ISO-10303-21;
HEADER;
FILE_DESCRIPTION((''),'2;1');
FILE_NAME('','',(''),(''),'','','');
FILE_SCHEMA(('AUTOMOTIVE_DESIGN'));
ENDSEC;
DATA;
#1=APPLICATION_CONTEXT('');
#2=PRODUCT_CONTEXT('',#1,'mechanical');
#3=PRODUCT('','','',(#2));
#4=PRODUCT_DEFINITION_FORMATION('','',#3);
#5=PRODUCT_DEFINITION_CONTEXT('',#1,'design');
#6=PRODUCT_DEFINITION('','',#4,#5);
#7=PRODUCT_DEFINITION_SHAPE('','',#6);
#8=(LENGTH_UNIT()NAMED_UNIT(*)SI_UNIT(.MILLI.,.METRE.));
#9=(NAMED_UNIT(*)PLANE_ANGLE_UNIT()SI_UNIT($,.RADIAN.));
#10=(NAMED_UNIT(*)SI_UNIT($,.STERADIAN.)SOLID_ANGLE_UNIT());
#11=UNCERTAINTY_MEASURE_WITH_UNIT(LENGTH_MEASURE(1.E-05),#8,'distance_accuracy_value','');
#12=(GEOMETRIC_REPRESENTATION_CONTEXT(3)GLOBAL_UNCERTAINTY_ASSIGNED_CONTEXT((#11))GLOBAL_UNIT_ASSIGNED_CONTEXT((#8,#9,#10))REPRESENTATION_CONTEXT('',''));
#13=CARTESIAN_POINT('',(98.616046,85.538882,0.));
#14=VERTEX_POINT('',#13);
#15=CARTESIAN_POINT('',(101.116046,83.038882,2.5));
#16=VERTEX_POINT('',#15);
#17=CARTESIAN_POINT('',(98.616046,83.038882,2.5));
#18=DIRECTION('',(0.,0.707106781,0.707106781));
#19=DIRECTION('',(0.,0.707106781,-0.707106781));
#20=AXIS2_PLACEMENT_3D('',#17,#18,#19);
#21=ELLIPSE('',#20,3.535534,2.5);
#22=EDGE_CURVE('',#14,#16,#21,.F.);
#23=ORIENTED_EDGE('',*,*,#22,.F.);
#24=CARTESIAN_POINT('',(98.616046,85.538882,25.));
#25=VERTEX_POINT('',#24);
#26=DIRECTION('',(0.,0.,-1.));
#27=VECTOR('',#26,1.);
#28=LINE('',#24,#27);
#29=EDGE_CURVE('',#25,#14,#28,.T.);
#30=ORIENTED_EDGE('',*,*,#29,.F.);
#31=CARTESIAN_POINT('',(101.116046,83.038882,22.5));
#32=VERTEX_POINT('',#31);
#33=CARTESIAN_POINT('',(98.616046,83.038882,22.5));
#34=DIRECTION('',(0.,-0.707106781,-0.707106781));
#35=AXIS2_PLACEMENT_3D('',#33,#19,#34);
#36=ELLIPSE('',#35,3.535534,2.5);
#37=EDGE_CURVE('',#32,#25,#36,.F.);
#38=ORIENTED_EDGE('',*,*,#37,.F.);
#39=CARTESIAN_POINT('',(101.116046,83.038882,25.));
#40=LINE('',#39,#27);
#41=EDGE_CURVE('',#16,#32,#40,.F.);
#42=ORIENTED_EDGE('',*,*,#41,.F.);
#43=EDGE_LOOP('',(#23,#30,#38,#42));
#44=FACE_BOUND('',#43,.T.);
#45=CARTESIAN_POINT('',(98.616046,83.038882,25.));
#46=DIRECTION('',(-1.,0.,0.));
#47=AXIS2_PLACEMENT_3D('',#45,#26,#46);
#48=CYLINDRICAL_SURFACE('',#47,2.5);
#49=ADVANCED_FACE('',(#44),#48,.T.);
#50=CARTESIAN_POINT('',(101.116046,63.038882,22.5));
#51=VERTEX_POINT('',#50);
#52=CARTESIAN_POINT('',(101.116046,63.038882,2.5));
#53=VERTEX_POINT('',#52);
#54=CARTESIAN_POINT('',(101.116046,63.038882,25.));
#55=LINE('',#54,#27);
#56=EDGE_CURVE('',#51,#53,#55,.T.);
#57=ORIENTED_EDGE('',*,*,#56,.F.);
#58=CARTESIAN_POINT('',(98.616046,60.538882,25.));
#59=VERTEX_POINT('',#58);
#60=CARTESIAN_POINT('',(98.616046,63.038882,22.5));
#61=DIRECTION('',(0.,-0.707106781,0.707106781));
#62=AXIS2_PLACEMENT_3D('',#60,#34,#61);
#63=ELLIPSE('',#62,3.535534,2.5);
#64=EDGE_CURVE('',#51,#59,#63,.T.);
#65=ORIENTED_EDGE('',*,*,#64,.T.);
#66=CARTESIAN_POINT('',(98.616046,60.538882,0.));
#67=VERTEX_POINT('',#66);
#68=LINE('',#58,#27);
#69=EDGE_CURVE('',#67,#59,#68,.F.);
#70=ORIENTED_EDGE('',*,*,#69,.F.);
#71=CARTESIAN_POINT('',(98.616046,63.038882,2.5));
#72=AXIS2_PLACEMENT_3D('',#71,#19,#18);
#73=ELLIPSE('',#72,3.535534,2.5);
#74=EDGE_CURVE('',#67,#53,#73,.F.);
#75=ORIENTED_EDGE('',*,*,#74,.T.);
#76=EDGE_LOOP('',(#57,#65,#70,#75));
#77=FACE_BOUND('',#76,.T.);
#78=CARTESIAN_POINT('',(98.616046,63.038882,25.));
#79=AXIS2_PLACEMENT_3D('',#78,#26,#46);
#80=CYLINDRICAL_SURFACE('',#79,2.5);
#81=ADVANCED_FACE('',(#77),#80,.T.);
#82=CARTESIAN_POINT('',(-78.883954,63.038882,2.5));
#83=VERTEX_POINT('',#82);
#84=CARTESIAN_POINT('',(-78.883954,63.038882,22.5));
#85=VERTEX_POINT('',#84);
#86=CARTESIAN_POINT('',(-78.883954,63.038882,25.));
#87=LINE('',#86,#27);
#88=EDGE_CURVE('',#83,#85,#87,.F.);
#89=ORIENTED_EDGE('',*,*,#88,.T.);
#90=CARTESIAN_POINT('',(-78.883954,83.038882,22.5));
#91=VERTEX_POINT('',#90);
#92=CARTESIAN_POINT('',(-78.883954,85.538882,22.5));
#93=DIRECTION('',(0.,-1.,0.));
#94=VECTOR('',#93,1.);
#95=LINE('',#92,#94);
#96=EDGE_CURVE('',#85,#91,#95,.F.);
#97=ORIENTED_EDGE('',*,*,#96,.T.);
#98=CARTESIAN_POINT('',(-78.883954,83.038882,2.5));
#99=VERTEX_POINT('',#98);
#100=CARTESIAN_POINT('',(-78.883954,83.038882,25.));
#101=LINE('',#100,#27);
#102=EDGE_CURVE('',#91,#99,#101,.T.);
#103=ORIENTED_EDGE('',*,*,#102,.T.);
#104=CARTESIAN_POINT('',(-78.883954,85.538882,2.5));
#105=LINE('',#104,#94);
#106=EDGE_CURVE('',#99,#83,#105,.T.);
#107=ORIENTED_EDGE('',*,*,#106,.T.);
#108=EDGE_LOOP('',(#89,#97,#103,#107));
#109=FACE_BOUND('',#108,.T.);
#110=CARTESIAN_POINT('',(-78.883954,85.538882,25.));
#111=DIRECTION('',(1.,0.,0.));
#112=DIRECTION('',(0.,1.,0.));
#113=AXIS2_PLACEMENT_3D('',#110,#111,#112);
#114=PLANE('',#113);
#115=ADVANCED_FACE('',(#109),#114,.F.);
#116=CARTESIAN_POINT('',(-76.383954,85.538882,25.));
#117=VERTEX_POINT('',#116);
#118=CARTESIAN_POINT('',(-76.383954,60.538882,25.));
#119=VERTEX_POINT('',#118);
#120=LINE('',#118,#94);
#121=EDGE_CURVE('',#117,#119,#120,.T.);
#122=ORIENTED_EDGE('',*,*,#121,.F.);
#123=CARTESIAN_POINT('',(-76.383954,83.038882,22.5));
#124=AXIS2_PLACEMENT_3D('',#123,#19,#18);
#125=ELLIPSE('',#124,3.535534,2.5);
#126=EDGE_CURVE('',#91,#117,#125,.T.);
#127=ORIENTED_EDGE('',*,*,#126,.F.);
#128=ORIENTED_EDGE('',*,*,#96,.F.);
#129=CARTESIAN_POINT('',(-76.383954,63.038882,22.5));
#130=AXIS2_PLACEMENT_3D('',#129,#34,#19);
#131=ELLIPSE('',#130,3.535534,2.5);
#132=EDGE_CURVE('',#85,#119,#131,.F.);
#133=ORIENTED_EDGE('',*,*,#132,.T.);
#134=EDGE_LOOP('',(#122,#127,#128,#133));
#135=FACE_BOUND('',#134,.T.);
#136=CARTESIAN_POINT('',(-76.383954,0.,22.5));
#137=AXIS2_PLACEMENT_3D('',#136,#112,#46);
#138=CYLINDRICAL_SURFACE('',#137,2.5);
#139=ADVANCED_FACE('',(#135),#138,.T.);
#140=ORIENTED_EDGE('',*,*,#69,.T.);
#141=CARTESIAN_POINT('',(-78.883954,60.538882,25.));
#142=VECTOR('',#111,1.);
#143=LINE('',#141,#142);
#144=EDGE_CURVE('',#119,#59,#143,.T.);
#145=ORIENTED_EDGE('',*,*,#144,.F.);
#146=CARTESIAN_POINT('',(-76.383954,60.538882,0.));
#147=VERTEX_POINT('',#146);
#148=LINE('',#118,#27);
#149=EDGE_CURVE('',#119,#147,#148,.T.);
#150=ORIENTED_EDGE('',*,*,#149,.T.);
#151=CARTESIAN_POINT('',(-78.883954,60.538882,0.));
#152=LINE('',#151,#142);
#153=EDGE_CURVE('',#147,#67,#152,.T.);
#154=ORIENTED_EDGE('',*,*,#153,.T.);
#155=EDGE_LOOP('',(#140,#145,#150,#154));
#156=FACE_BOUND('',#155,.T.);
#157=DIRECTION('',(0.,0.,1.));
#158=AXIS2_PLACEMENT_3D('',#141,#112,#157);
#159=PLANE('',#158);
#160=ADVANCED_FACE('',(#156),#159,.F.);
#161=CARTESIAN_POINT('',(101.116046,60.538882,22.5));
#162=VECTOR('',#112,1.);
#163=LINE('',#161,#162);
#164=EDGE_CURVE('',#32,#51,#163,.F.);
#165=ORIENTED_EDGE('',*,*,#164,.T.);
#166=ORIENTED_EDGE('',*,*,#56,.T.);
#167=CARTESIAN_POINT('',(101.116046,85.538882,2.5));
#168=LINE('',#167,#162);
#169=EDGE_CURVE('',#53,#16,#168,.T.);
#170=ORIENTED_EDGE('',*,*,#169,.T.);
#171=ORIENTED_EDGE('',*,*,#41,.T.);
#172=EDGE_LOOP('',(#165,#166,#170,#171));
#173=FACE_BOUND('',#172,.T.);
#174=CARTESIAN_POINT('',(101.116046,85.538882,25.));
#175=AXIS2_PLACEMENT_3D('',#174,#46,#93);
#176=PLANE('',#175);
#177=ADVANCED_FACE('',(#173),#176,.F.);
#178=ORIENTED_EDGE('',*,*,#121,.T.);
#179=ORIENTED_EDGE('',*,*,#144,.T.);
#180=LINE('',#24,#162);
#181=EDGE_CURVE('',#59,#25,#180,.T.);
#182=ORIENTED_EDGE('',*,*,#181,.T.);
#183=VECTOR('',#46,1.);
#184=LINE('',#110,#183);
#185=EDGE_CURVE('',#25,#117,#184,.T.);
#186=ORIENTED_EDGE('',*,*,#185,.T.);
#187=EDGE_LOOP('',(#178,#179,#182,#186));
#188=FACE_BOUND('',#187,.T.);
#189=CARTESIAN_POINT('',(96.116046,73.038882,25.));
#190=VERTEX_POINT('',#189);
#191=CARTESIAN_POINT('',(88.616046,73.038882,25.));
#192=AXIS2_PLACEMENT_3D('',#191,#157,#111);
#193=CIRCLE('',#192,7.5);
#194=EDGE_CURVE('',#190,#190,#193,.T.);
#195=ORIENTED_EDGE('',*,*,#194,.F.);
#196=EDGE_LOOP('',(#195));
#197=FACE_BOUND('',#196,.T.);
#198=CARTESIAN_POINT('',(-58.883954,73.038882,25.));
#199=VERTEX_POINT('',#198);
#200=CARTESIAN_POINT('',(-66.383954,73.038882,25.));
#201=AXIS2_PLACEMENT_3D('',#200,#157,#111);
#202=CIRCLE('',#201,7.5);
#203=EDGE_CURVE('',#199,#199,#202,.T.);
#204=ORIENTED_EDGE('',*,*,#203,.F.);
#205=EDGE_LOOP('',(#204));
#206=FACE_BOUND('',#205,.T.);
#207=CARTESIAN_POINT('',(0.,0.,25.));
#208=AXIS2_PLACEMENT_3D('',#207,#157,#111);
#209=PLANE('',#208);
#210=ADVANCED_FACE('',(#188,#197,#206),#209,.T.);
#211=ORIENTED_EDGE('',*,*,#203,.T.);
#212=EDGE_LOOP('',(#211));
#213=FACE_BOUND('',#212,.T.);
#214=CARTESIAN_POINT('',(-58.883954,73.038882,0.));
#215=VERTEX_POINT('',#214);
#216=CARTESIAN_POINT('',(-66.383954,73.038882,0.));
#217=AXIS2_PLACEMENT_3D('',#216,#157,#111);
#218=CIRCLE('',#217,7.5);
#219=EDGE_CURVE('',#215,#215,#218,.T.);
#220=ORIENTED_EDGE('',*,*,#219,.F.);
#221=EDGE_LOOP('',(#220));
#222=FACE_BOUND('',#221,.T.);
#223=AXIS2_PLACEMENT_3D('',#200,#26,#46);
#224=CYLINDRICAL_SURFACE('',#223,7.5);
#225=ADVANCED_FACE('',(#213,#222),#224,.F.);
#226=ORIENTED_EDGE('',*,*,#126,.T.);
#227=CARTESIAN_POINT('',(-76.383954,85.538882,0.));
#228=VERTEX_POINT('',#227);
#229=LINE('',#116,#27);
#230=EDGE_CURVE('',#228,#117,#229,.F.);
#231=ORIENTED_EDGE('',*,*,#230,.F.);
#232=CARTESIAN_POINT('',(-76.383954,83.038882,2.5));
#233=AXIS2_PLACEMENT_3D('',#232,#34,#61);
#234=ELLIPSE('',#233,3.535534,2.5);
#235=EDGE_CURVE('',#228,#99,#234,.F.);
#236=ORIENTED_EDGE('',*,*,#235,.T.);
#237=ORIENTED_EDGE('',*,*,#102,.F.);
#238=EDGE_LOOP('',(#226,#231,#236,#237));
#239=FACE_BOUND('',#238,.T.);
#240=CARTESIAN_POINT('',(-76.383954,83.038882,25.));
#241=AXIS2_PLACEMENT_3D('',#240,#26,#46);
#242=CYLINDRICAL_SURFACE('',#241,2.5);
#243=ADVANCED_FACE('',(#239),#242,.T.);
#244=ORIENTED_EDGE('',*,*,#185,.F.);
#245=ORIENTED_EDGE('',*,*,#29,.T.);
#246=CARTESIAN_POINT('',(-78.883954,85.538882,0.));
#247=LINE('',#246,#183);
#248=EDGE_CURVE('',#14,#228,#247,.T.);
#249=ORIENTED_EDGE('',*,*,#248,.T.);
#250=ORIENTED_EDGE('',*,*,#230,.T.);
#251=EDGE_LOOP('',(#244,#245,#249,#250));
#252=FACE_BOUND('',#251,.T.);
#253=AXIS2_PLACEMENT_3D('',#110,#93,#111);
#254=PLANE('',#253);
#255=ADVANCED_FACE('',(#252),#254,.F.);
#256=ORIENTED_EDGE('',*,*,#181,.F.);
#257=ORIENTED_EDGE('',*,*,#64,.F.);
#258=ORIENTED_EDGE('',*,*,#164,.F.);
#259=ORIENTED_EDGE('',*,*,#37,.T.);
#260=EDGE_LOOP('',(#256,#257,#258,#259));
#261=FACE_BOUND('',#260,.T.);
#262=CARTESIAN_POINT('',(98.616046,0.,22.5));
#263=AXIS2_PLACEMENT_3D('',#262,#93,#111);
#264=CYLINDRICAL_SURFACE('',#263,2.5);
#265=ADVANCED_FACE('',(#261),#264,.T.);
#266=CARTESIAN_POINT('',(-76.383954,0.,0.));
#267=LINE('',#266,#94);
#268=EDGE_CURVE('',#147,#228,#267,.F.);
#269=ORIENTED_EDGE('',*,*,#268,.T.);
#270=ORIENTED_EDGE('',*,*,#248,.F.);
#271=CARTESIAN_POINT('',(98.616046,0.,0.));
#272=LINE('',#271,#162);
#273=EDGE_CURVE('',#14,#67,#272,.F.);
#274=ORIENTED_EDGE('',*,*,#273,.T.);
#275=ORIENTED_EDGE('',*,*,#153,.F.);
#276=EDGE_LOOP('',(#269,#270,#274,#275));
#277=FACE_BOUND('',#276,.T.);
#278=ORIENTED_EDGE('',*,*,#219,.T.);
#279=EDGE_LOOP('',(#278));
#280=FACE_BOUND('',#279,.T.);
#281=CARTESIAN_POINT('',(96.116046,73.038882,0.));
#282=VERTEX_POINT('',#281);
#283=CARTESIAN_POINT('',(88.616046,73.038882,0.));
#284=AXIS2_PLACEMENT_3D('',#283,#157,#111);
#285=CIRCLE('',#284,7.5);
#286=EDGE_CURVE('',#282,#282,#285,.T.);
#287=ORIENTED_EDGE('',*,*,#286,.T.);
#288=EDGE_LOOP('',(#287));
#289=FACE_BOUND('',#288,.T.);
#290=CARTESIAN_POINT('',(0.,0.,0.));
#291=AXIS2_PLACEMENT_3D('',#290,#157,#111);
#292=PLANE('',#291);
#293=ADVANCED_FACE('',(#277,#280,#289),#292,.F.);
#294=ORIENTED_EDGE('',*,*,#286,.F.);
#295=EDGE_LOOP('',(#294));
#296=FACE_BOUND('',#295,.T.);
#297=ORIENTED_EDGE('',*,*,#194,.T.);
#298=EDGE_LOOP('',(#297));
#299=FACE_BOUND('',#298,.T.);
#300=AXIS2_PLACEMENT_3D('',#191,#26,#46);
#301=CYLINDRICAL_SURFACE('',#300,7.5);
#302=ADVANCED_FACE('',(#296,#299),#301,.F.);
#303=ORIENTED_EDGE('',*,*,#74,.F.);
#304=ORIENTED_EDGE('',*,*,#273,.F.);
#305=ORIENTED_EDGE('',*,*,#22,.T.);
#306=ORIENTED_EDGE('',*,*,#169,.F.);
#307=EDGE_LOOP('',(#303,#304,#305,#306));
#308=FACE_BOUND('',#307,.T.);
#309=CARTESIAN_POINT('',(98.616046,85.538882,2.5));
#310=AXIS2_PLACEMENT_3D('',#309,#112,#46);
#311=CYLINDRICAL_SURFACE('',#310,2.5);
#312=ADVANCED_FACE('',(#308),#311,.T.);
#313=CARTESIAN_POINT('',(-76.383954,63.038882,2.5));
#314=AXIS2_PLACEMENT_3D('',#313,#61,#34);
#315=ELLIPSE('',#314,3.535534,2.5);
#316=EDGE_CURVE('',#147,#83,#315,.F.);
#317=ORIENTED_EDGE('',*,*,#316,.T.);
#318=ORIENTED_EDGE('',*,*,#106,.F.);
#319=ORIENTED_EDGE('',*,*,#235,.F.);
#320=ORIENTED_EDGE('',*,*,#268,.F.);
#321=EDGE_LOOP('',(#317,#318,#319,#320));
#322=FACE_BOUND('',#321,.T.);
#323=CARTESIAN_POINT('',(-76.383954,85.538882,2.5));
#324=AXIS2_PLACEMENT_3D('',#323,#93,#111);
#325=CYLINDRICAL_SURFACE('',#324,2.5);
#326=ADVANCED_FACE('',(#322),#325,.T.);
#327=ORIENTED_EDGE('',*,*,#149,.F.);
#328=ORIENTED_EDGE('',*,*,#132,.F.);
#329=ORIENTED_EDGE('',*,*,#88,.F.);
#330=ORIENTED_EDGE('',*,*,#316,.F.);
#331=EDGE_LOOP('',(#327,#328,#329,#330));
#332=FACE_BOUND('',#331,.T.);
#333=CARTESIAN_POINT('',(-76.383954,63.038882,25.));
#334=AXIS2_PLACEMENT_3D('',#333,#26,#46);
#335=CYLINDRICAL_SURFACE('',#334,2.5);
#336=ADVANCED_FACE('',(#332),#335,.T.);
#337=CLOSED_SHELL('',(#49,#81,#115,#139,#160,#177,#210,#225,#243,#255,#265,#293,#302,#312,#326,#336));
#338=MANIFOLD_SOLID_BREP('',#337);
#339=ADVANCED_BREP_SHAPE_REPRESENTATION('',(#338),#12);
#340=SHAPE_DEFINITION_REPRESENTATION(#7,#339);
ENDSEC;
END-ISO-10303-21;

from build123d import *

# Parameters (mm, degrees)
SKETCH1_W           = 180
SKETCH1_H           = 25
SKETCH1_R           = 7.5
BOSS_EXTRUDE1_DEPTH = 25
FILLET1_R           = 2.5
FILLET2_R           = 2.5


with BuildPart() as part:
    # Sketch1 → Boss-Extrude1 (new body)
    with BuildSketch(Plane.XY):
        with Locations((11.116046254, 73.038881715)):
            Rectangle(SKETCH1_W, SKETCH1_H)
        with Locations((-66.383953746, 73.038881715)):
            Circle(SKETCH1_R, mode=Mode.SUBTRACT)
        with Locations((88.616046254, 73.038881715)):
            Circle(SKETCH1_R, mode=Mode.SUBTRACT)
    extrude(amount=BOSS_EXTRUDE1_DEPTH)

    # Fillet1
    fillet1_edges = [part.edges().sort_by_distance(p)[0] for p in [
        (-78.883953746, 73.038881715, 25),
        (-78.883953746, 73.038881715, 0),
        (-78.883953746, 85.538881715, 12.5),
        (-78.883953746, 60.538881715, 12.5),
    ]]
    fillet(fillet1_edges, radius=FILLET1_R)

    # Fillet2
    fillet2_edges = [part.edges().sort_by_distance(p)[0] for p in [
        (101.116046254, 73.038881715, 25),
        (101.116046254, 73.038881715, 0),
        (101.116046254, 85.538881715, 12.5),
        (101.116046254, 60.538881715, 12.5),
    ]]
    fillet(fillet2_edges, radius=FILLET2_R)


solid = part.part
